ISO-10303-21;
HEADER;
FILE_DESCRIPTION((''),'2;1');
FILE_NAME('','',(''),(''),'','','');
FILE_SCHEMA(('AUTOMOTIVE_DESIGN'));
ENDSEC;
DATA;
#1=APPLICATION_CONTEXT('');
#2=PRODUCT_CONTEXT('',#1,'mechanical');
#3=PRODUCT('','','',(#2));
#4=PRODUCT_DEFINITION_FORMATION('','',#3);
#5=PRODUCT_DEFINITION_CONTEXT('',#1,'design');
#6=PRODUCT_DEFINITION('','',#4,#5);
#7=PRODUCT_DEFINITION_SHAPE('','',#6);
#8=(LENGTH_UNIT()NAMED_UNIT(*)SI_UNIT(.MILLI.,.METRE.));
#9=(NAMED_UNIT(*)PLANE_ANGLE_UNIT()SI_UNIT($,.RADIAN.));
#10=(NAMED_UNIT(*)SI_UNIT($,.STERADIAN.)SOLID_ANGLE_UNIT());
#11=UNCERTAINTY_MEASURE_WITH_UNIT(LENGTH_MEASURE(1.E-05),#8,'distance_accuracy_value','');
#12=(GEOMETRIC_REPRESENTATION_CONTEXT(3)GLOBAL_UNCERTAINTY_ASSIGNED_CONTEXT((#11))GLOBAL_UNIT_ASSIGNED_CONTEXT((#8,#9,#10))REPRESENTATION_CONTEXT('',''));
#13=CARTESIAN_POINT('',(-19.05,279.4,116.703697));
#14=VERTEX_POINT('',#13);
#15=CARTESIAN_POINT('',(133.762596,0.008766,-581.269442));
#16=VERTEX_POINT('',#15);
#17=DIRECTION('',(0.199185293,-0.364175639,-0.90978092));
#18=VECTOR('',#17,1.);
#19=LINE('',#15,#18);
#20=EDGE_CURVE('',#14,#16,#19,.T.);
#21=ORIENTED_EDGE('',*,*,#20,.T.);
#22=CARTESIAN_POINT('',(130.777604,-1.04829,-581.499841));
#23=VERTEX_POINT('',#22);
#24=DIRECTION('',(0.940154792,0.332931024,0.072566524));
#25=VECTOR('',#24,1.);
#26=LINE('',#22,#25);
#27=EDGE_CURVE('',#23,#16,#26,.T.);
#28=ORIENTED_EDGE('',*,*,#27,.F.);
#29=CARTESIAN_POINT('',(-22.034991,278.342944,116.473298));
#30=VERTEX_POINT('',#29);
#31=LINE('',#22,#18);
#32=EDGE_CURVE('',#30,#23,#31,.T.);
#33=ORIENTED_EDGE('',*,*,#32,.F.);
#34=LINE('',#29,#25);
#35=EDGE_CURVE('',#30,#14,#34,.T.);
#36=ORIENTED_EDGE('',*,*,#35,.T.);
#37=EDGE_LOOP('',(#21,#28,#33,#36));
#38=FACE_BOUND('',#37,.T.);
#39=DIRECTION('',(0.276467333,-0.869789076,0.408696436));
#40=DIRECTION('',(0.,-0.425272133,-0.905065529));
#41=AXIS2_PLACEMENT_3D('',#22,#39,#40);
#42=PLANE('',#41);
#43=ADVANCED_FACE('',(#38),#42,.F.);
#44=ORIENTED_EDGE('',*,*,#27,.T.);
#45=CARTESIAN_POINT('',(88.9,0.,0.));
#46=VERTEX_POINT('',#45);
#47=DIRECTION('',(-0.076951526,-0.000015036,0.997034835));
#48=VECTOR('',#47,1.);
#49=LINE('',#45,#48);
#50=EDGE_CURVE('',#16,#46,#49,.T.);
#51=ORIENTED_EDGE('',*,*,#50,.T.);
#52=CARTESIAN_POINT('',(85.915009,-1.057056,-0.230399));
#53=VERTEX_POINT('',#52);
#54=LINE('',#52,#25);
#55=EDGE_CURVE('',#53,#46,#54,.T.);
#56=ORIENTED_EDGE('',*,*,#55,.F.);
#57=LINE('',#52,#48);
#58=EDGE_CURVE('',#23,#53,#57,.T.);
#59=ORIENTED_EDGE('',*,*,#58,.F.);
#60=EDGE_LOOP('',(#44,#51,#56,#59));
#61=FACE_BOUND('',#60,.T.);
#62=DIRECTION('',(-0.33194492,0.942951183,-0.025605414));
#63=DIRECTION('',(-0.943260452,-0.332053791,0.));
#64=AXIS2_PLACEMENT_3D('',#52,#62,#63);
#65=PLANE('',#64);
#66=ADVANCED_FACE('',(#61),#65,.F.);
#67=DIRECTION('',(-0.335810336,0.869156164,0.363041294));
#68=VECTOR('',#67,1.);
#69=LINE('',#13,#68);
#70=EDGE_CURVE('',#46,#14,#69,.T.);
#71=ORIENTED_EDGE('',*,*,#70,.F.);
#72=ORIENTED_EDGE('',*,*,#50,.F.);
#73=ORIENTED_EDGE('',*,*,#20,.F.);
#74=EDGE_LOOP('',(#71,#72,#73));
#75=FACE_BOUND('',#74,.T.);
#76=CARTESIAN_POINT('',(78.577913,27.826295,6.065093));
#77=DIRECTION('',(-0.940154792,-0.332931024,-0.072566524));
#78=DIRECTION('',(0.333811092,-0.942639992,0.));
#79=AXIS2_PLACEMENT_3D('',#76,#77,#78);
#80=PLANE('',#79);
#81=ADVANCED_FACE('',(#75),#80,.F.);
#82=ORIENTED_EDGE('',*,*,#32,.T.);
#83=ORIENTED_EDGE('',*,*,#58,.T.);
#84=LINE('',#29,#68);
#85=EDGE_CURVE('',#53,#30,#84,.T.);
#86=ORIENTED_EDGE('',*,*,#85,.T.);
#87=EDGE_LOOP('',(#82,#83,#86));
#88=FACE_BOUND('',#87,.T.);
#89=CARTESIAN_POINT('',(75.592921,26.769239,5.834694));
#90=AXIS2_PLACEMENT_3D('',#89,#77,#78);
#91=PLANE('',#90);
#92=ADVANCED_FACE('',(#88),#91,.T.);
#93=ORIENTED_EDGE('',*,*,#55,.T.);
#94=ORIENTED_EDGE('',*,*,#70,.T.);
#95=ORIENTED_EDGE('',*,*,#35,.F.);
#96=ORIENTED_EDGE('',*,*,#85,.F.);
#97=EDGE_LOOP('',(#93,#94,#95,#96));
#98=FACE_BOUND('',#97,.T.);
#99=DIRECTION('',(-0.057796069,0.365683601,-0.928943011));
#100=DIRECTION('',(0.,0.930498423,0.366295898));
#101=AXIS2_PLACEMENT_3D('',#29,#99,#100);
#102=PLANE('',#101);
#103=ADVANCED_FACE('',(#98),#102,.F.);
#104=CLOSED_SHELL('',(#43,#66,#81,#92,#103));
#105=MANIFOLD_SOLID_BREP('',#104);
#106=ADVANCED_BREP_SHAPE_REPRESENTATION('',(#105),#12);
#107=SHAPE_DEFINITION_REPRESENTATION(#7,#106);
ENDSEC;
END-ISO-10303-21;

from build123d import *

# Parameters (mm, degrees)
BOSS_EXTRUDE2_DEPTH = 3.175


with BuildPart() as part:
    # Sketch8 → Boss-Extrude2 (new body)
    with BuildSketch(Plane(origin=(78.577912809, 27.826295435, 6.065092715), x_dir=(-0.06940269623355075, -0.021402649685502765, 0.9973591090183883), z_dir=(-0.9401547918941523, -0.33293102424216026, -0.07256652379389175))):
        Polygon((-589.018044977, -42.880791584), (111.73771639, 269.399557724), (-6.169899695, -29.657476107), align=None)
    extrude(amount=BOSS_EXTRUDE2_DEPTH)


solid = part.part
